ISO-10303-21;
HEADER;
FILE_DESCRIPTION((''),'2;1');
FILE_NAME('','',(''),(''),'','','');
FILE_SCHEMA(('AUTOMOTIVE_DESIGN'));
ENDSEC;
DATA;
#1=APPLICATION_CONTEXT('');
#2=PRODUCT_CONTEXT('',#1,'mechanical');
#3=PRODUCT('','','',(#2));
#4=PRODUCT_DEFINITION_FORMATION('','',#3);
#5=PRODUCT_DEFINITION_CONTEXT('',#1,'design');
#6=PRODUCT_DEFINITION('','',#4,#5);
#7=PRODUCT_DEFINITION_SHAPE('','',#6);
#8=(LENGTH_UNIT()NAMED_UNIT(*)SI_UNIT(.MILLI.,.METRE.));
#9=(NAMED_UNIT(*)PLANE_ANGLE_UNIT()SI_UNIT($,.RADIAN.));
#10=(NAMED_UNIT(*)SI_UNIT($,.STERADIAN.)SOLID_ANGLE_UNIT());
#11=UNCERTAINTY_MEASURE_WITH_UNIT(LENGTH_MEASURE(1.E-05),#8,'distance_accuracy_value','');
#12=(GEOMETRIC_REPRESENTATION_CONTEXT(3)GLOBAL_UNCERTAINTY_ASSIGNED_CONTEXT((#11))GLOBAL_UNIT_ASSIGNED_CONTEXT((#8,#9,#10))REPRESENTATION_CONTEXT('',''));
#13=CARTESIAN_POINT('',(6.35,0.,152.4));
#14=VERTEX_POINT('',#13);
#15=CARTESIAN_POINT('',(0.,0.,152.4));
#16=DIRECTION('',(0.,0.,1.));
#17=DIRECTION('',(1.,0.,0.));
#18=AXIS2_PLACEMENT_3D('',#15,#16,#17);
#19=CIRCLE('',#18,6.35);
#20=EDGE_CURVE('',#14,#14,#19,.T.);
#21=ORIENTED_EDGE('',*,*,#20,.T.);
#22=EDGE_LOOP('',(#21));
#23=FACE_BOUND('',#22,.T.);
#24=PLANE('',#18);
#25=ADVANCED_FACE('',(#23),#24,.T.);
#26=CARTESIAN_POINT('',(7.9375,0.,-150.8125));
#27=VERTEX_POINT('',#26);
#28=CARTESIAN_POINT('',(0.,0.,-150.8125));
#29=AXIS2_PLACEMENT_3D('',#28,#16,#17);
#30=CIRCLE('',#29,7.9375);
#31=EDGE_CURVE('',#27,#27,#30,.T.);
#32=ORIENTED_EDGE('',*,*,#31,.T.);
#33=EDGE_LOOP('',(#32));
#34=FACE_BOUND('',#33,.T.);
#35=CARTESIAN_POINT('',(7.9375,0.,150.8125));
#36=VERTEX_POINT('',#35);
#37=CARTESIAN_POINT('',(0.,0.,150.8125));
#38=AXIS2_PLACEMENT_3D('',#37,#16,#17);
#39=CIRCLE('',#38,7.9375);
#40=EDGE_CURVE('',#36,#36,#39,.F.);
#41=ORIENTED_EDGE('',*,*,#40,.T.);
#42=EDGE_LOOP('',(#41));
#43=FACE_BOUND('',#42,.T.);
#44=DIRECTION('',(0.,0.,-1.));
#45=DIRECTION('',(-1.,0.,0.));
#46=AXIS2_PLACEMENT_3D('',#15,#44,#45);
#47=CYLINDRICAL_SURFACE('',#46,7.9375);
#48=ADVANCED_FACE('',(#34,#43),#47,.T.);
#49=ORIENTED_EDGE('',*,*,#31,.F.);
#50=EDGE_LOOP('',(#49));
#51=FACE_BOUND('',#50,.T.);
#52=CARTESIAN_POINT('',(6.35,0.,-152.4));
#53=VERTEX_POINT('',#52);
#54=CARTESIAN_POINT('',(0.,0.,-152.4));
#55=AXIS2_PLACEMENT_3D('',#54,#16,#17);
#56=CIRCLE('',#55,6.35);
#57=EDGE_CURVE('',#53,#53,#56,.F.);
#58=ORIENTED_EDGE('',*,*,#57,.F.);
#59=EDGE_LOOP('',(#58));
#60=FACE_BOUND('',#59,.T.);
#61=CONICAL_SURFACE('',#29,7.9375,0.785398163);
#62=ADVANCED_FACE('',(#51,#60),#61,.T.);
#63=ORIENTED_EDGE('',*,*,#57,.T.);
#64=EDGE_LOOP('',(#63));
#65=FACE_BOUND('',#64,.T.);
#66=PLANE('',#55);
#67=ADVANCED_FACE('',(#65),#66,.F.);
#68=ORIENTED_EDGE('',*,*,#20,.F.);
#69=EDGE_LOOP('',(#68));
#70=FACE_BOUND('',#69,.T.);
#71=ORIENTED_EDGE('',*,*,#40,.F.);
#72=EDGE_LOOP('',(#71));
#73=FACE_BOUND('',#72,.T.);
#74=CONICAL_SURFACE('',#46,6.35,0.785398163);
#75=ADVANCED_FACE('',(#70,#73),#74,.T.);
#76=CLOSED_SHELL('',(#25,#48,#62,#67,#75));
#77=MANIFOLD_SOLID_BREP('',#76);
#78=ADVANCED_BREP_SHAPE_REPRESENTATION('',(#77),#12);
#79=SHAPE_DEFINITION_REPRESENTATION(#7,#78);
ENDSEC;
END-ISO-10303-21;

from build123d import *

# Parameters (mm, degrees)
SKETCH1_R      = 7.9375
EXTRUDE1_DEPTH = 152.4
CHAMFER1_SIZE  = 1.5875


with BuildPart() as part:
    # Sketch1 → Extrude1 (new body, symmetric)
    with BuildSketch(Plane.XY):
        Circle(SKETCH1_R)
    extrude(amount=EXTRUDE1_DEPTH, both=True)

    # Chamfer1
    chamfer1_edges = [part.edges().sort_by_distance(p)[0] for p in [
        (-7.9375, 0, -152.4),
        (-7.9375, 0, 152.4),
    ]]
    chamfer(chamfer1_edges, length=CHAMFER1_SIZE)


solid = part.part
